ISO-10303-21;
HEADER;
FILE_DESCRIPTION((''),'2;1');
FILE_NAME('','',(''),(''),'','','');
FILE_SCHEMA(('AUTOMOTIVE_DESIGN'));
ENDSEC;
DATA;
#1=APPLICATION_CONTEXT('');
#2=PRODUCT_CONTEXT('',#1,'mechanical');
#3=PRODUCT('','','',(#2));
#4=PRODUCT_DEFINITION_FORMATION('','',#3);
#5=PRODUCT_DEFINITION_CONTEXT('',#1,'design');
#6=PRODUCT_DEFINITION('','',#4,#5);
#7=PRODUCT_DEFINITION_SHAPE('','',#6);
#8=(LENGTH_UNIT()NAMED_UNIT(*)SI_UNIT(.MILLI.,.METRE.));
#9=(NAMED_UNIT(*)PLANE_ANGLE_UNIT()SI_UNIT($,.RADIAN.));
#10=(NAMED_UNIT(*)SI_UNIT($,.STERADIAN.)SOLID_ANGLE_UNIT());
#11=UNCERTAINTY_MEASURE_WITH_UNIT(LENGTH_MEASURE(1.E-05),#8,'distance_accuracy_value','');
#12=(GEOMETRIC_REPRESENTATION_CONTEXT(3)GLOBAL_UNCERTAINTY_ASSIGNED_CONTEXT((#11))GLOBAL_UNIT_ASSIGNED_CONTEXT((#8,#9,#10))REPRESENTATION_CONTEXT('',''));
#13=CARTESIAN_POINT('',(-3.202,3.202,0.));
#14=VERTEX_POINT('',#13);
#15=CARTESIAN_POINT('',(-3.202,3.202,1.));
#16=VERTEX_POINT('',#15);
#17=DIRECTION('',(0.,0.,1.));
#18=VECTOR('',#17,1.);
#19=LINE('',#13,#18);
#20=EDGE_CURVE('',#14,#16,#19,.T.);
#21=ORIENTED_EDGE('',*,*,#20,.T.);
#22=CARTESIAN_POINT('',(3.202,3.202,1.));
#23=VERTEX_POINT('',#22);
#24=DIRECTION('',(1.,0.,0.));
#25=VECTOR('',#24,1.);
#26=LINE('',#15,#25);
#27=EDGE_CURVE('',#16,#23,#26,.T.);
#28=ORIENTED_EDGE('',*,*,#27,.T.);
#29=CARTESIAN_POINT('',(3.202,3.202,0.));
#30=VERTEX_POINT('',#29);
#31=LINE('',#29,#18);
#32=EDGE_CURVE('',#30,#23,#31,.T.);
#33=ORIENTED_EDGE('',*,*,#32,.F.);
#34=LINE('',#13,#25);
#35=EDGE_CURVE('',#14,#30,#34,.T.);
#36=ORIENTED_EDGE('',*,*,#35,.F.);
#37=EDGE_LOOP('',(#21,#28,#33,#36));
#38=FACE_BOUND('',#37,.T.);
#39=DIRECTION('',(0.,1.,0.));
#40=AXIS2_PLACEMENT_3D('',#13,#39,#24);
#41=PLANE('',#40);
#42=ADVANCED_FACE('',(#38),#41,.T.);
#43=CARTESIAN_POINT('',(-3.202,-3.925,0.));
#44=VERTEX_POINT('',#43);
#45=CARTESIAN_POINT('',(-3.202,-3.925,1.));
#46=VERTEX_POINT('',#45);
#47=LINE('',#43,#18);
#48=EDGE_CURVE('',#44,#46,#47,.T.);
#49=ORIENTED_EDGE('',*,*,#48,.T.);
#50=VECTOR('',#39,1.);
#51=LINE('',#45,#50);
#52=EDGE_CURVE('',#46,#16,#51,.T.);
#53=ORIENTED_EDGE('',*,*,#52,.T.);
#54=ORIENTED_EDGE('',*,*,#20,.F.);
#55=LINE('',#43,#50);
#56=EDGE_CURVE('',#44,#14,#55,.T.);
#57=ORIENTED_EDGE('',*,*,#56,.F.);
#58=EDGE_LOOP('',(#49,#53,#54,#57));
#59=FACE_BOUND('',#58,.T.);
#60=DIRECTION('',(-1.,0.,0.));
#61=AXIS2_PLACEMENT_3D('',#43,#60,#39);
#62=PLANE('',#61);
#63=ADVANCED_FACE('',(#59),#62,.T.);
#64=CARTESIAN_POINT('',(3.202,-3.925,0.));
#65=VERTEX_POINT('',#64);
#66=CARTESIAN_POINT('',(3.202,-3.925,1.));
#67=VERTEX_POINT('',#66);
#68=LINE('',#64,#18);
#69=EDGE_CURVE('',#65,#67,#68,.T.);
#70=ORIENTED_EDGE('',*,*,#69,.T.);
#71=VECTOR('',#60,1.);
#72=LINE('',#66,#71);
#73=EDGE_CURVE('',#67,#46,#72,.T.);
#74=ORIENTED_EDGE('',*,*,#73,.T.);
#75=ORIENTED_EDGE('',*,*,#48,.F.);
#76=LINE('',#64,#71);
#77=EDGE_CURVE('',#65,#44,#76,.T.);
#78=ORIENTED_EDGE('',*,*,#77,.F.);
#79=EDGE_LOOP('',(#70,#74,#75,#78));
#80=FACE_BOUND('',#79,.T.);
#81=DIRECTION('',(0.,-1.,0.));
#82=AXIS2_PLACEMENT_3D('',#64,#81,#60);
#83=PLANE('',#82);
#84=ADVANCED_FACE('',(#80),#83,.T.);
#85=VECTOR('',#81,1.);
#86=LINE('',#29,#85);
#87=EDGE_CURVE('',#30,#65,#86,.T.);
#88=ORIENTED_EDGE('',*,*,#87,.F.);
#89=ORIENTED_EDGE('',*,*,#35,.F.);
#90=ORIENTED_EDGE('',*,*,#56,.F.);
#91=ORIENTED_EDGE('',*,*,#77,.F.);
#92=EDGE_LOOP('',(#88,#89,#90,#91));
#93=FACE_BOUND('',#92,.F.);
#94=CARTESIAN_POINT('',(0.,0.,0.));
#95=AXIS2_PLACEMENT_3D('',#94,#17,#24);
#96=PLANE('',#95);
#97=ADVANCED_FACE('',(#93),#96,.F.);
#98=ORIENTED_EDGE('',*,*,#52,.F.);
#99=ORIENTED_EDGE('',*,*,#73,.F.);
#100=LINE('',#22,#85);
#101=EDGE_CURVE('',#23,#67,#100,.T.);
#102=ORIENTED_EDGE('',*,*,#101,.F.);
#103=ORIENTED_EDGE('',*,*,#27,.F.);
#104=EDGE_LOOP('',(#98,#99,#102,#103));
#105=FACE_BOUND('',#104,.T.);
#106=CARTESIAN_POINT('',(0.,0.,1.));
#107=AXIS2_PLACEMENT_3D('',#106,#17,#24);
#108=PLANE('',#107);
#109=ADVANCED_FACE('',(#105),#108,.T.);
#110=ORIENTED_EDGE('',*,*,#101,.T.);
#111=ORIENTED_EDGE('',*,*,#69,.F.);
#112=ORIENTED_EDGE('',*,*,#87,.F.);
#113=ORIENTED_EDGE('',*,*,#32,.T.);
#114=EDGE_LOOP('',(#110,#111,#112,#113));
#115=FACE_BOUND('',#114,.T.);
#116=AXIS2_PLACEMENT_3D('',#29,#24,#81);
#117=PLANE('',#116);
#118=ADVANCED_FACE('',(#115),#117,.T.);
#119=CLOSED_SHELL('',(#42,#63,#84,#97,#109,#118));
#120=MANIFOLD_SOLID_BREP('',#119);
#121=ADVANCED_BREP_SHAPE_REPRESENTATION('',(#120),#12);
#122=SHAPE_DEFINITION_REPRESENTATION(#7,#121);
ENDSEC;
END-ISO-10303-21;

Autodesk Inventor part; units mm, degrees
ref_plane "YZ Plane" through (0, 0, 0) normal (1, 0, 0) x (0, 1, 0)
ref_plane "XZ Plane" through (0, 0, 0) normal (0, 1, 0) x (-1, 0, 0)
ref_plane "XY Plane" through (0, 0, 0) normal (0, 0, 1) x (1, 0, 0)
sketch "QFN32, LAN8710A_QFN32_177" plane through (0, 0, 0) normal (0, 0, 1) x (1, 0, 0)
  line L0 (-3.202, -3.925) -> (-3.202, 3.202)
  line L1 (-3.202, 3.202) -> (3.202, 3.202)
  line L2 (3.202, 3.202) -> (3.202, -3.925)
  line L3 (3.202, -3.925) -> (-3.202, -3.925)
extrude "Extrusion1" add sketch "QFN32, LAN8710A_QFN32_177" along normal blind 1
properties part number "LAN8710A_QFN32"
